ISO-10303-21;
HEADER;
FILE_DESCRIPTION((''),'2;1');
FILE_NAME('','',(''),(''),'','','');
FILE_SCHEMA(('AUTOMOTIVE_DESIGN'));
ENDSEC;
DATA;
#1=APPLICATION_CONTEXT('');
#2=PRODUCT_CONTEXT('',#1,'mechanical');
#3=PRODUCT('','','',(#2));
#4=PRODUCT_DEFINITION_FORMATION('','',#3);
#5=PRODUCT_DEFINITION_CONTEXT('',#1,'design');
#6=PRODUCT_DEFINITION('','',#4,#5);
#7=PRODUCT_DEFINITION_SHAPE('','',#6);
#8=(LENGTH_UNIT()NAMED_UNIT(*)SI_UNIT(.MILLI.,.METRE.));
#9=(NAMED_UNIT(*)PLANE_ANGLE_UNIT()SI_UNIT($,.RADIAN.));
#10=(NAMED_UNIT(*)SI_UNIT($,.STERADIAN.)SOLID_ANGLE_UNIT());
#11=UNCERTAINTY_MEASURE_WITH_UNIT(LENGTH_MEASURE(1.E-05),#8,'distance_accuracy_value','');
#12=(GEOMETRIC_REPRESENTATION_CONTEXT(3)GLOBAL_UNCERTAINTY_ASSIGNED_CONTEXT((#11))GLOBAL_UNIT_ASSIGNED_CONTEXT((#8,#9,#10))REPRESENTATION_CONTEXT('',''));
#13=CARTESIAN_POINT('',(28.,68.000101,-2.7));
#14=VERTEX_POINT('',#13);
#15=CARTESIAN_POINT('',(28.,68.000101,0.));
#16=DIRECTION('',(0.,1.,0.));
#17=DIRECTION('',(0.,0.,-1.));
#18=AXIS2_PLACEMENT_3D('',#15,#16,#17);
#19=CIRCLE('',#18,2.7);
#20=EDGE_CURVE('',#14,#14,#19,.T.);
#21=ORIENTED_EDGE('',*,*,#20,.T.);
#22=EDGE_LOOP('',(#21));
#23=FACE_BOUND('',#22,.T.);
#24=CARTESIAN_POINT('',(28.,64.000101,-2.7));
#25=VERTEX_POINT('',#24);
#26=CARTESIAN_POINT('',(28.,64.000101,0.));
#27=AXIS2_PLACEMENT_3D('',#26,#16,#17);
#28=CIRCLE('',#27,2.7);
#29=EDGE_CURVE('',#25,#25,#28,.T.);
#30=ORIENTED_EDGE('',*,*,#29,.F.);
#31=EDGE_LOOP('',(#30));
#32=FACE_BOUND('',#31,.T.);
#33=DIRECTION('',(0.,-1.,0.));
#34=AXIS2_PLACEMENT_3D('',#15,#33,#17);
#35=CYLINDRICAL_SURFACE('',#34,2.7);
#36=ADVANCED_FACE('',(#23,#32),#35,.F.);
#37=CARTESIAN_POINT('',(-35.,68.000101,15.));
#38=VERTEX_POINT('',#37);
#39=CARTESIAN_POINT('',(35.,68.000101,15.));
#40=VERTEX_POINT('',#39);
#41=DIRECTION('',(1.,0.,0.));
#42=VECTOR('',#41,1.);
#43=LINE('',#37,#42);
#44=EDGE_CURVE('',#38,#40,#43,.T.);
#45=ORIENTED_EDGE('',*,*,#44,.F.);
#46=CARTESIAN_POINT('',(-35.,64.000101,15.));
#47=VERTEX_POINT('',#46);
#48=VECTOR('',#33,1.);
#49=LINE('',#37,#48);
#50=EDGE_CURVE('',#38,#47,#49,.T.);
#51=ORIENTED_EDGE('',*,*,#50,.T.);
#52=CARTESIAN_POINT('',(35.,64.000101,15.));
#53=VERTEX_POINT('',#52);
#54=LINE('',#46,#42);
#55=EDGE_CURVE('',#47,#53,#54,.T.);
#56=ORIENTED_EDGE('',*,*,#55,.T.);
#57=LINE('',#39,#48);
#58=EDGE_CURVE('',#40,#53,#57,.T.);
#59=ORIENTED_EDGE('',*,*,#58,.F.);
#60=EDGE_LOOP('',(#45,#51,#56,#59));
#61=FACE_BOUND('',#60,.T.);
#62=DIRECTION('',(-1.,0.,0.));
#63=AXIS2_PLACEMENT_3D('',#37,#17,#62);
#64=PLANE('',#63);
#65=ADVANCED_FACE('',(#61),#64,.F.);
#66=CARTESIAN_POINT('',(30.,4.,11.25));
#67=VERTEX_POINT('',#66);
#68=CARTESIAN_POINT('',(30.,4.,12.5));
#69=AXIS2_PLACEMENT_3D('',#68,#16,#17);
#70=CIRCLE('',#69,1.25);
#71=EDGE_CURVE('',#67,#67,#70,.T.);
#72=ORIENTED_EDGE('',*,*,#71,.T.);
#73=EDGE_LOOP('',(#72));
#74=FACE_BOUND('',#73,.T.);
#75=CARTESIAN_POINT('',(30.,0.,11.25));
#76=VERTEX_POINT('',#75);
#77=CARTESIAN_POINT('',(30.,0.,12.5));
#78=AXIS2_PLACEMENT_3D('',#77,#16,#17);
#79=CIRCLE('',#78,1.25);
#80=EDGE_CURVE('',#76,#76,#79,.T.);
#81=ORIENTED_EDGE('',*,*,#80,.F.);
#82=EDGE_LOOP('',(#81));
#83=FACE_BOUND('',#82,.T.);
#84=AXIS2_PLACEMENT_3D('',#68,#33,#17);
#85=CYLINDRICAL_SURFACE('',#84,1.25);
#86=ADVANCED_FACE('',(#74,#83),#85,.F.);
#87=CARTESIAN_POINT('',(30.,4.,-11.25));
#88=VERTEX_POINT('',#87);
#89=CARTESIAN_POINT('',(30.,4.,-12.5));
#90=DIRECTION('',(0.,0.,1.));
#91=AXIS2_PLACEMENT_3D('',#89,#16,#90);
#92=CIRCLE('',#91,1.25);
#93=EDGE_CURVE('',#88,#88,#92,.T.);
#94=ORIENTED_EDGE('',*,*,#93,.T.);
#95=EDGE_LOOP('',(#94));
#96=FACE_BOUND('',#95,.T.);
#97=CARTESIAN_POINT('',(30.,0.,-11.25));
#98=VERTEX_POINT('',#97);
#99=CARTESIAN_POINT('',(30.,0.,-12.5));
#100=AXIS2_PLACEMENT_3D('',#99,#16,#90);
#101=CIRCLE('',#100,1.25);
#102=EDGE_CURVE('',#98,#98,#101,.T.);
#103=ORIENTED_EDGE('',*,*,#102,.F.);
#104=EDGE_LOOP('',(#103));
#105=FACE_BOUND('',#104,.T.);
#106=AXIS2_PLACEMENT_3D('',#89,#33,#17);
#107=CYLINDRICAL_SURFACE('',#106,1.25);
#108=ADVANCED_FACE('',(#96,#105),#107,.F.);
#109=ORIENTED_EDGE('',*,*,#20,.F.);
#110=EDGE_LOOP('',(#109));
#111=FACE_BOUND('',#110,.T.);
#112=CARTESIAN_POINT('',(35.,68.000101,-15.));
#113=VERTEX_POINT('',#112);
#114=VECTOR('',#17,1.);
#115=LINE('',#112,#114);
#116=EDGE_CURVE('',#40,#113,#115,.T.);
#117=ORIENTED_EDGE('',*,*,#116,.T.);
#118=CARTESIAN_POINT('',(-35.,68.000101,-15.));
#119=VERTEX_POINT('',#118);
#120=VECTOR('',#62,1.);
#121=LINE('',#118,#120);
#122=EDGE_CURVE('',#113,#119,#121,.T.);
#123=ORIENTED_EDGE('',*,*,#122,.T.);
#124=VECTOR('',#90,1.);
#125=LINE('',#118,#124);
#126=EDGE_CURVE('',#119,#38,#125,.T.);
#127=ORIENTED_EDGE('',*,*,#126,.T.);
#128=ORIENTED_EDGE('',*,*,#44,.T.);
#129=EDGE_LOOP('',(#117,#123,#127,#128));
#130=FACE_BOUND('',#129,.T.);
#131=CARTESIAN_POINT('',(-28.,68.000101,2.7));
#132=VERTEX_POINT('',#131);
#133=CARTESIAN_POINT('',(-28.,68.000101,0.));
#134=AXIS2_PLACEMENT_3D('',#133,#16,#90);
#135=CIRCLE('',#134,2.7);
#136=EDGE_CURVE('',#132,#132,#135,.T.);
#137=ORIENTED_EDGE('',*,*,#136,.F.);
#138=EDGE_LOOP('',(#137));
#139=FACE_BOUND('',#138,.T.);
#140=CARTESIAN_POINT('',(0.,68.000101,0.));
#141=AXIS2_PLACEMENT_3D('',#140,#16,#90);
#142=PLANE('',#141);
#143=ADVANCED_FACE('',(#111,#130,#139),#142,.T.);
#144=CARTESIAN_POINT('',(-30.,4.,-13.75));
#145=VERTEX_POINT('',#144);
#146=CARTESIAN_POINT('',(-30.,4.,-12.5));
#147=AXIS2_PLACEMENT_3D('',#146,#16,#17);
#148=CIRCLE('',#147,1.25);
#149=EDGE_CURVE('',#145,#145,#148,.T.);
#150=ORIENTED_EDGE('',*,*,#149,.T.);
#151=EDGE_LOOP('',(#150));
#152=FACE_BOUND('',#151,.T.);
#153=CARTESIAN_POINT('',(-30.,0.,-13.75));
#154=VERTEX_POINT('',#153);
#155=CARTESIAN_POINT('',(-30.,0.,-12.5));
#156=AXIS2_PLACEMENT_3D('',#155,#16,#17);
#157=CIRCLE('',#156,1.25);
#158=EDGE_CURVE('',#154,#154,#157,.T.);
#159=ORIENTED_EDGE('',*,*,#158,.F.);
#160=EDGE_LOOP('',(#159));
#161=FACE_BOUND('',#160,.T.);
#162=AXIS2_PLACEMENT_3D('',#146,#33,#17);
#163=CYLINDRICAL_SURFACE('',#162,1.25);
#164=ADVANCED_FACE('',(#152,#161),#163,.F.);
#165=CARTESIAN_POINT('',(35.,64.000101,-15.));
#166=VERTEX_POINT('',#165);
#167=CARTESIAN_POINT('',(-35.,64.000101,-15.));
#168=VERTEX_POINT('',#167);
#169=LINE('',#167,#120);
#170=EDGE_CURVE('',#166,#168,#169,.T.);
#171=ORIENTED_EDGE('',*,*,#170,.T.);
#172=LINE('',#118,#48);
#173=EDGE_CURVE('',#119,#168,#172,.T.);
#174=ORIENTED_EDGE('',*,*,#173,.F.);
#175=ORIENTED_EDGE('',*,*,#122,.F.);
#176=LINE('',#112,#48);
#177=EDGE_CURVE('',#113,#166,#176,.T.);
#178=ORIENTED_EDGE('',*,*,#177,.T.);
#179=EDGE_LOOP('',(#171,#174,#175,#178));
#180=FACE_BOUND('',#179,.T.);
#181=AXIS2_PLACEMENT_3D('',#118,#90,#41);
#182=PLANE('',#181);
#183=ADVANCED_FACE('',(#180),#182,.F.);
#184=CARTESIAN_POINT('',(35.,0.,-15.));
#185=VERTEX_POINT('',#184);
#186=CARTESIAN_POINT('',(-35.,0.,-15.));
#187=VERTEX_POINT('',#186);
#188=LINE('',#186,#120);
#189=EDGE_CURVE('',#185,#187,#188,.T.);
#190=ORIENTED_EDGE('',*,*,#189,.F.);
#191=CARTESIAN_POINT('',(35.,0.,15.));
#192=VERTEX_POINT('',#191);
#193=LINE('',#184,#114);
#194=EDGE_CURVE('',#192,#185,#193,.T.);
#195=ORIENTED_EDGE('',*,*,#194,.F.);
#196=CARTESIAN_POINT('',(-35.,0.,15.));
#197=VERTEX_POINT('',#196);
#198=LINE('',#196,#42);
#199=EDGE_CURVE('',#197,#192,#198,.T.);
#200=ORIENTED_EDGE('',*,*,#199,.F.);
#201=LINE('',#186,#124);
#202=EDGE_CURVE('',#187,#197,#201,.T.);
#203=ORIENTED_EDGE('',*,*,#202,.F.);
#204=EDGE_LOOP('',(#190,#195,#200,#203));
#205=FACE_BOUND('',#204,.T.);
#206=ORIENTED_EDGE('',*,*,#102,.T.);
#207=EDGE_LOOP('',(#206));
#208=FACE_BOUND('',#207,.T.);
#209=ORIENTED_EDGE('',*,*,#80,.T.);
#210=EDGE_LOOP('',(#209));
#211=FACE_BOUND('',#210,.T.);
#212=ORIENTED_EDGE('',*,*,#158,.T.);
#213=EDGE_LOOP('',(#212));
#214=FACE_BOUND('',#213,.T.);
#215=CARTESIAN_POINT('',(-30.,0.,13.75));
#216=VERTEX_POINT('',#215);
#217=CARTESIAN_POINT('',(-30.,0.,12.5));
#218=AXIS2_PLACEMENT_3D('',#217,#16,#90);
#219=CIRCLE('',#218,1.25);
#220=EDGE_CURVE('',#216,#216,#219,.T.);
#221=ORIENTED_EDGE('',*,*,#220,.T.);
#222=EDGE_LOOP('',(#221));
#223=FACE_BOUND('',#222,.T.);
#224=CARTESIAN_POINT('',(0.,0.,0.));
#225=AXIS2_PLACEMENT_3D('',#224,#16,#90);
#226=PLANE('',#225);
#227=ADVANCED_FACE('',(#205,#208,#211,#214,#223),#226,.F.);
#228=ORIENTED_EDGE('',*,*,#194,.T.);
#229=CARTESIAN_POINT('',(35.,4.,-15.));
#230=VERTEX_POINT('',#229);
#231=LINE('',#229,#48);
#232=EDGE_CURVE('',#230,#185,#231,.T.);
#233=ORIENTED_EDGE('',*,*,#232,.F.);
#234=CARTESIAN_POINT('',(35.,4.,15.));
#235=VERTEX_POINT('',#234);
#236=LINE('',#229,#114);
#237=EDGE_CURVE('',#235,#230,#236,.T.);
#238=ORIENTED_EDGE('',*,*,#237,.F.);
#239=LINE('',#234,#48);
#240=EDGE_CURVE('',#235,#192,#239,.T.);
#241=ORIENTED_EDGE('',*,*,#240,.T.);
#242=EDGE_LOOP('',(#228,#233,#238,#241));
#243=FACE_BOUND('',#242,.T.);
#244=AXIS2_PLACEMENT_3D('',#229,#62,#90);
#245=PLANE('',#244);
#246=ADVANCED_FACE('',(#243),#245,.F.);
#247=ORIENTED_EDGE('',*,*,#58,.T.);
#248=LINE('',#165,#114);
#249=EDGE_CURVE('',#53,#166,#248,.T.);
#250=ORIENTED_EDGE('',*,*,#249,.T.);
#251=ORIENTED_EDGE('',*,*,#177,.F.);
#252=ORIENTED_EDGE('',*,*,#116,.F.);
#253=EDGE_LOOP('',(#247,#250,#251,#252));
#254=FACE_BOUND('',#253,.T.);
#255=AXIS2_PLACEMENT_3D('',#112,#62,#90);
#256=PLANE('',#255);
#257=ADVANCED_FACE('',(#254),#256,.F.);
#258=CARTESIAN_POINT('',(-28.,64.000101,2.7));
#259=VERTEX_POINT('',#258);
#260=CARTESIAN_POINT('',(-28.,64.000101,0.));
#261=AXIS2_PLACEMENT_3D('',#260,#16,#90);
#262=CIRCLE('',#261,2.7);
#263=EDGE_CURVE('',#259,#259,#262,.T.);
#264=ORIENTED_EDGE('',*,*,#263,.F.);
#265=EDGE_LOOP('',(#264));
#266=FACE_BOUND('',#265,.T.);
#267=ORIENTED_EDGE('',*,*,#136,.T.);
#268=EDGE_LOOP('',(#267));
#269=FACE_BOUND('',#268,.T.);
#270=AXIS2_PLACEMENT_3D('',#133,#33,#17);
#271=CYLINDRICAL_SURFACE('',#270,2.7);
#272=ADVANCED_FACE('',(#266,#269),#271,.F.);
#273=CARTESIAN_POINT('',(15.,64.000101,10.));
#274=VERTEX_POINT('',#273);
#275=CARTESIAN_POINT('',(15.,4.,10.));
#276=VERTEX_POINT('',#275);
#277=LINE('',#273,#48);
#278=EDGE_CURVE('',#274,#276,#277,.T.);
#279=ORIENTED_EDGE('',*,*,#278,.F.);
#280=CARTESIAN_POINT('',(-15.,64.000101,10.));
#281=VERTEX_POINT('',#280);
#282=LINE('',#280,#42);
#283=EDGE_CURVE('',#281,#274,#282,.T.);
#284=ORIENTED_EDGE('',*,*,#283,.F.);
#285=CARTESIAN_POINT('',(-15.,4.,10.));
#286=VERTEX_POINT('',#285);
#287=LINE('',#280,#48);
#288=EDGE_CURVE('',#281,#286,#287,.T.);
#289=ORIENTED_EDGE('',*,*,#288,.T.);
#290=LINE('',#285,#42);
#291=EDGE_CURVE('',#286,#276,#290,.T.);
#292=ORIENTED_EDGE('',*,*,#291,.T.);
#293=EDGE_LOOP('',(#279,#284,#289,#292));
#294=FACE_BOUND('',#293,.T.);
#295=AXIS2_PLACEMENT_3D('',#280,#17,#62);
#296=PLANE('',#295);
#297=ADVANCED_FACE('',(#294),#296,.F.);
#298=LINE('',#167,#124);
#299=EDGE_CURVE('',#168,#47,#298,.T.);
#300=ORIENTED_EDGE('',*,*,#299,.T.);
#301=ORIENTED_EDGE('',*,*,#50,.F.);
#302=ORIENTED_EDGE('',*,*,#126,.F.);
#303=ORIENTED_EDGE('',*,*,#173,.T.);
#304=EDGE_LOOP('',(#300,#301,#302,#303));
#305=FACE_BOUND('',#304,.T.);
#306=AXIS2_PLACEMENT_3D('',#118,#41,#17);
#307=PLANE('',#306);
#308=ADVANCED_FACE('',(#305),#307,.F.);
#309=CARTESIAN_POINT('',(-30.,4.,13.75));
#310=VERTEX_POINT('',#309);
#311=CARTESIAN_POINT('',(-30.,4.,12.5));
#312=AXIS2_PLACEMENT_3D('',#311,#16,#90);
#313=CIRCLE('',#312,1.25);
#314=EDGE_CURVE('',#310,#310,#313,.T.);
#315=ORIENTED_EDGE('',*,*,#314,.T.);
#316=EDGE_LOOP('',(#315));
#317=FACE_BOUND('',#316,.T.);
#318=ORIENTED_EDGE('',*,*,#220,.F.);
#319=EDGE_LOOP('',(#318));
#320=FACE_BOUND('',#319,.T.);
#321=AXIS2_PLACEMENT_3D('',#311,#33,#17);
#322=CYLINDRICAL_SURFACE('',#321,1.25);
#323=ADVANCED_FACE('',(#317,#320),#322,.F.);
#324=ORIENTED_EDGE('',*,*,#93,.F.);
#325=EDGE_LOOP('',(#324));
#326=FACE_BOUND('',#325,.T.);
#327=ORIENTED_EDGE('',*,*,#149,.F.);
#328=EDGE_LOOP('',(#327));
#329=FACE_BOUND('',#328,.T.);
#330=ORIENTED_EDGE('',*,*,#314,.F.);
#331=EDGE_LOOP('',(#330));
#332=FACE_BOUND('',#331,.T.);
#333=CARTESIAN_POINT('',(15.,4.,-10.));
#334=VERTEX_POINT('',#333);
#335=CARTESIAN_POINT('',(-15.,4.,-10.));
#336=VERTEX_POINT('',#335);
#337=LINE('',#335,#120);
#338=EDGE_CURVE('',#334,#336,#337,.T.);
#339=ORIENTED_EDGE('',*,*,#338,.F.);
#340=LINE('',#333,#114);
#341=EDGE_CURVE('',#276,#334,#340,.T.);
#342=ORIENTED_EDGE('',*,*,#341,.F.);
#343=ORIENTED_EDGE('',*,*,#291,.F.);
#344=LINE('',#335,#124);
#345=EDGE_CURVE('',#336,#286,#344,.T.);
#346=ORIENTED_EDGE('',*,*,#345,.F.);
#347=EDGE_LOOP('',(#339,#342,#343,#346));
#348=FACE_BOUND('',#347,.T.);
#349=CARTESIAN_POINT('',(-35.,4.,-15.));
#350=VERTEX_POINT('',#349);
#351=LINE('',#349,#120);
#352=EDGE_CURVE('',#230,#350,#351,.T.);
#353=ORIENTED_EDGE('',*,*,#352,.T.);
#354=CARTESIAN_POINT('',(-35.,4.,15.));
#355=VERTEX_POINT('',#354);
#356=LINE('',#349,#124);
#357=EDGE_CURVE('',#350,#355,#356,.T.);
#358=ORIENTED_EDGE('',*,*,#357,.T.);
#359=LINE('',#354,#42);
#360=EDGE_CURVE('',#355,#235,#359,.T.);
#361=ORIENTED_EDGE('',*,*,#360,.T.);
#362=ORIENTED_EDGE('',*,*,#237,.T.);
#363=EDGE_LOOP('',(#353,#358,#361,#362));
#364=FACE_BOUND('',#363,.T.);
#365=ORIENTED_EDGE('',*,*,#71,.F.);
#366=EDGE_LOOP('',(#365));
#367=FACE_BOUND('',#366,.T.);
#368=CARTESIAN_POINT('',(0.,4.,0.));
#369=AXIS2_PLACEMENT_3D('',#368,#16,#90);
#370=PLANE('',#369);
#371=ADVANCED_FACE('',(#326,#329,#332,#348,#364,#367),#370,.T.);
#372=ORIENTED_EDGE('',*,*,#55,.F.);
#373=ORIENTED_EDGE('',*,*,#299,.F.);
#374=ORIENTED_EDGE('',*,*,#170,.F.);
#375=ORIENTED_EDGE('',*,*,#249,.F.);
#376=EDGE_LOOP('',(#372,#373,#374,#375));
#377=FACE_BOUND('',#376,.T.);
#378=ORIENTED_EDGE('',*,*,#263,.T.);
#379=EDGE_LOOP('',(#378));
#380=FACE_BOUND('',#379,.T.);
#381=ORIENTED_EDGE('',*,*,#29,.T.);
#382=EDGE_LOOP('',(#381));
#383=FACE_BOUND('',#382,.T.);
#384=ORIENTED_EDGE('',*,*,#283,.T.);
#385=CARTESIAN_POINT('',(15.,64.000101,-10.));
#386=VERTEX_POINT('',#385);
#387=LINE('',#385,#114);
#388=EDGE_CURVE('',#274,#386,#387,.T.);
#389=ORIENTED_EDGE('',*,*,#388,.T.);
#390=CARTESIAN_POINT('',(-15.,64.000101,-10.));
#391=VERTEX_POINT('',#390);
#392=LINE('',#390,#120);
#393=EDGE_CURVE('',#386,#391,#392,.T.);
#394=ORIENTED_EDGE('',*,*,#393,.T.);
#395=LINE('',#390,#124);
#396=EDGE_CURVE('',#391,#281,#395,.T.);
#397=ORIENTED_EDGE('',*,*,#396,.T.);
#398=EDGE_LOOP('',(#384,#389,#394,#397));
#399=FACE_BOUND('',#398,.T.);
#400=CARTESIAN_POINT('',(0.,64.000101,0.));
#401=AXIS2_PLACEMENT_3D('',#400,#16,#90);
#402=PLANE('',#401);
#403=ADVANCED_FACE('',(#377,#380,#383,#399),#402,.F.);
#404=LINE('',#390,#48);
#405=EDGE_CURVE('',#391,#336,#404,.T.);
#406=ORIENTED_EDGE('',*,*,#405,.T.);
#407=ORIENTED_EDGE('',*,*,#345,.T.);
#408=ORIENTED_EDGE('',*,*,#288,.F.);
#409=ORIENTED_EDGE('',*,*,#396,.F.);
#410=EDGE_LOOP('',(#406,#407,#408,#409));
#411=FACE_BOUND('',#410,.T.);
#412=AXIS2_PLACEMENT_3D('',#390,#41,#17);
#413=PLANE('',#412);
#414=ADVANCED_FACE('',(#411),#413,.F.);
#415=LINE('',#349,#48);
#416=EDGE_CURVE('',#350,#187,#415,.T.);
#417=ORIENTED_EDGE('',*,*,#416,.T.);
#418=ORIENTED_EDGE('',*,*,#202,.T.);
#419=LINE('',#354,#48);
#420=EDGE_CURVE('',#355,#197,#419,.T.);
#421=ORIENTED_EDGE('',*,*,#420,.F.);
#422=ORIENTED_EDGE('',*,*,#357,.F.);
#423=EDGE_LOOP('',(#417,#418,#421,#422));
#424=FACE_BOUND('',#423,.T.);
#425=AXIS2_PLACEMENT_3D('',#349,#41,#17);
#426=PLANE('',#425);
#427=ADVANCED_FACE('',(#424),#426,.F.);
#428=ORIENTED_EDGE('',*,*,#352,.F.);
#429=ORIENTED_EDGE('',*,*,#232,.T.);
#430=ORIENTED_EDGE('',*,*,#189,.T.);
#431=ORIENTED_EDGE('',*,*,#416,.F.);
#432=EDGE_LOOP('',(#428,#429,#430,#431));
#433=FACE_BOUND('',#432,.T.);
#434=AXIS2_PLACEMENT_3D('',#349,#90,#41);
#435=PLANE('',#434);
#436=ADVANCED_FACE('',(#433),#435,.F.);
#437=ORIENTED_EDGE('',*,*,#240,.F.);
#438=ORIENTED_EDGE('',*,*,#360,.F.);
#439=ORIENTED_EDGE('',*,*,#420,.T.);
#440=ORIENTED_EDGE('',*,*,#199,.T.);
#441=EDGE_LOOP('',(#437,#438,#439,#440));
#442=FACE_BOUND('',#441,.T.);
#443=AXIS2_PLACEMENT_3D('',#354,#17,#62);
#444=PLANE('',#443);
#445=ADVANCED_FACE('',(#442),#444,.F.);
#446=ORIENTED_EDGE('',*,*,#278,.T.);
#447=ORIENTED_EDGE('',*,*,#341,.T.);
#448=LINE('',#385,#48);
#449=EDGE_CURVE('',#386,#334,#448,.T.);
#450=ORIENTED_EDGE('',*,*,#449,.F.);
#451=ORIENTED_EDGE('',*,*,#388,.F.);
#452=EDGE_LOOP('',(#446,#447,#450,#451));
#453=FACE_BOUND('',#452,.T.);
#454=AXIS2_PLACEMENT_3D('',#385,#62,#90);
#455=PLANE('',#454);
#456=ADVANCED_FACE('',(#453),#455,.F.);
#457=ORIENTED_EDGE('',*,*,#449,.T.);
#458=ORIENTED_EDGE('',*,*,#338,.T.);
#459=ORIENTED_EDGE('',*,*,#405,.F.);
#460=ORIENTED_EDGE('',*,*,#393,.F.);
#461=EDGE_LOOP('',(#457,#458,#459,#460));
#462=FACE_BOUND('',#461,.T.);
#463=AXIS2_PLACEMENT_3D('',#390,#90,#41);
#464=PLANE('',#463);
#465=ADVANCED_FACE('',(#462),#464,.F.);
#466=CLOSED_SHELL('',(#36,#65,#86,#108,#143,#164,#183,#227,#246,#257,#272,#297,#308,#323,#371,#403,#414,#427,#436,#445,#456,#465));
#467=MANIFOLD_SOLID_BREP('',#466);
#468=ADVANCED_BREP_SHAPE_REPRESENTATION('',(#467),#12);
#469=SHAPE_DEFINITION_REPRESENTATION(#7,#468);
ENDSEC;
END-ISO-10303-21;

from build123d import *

# Parameters (mm, degrees)
SKETCH2_W           = 70
SKETCH2_H           = 30
SKETCH2_R           = 1.25
BOSS_EXTRUDE1_DEPTH = 4
SKETCH4_W           = 30
SKETCH4_H           = 20
BOSS_EXTRUDE2_DEPTH = 60.0001011
SKETCH5_W           = 70
SKETCH5_H           = 30
SKETCH5_R           = 2.7
BOSS_EXTRUDE3_DEPTH = 4


with BuildPart() as part:
    # Sketch2 → Boss-Extrude1 (new body)
    with BuildSketch(Plane(origin=(0, 0, 0), x_dir=(1, 0, 0), z_dir=(0, 1, 0))):
        Rectangle(SKETCH2_W, SKETCH2_H)
        with Locations((-30, -12.5)):
            Circle(SKETCH2_R, mode=Mode.SUBTRACT)
        with Locations((-30, 12.5)):
            Circle(SKETCH2_R, mode=Mode.SUBTRACT)
        with Locations((30, -12.5)):
            Circle(SKETCH2_R, mode=Mode.SUBTRACT)
        with Locations((30, 12.5)):
            Circle(SKETCH2_R, mode=Mode.SUBTRACT)
    extrude(amount=BOSS_EXTRUDE1_DEPTH)

    # Sketch4 → Boss-Extrude2 (add)
    with BuildSketch(Plane(origin=(0, 4, 0), x_dir=(1, 0, 0), z_dir=(0, 1, 0))):
        Rectangle(SKETCH4_W, SKETCH4_H)
    extrude(amount=BOSS_EXTRUDE2_DEPTH)

    # Sketch5 → Boss-Extrude3 (add)
    with BuildSketch(Plane(origin=(0, 64.0001011, 0), x_dir=(1, 0, 0), z_dir=(0, 1, 0))):
        Rectangle(SKETCH5_W, SKETCH5_H)
        with Locations((-28, 0)):
            Circle(SKETCH5_R, mode=Mode.SUBTRACT)
        with Locations((28, 0)):
            Circle(SKETCH5_R, mode=Mode.SUBTRACT)
    extrude(amount=BOSS_EXTRUDE3_DEPTH)


solid = part.part
